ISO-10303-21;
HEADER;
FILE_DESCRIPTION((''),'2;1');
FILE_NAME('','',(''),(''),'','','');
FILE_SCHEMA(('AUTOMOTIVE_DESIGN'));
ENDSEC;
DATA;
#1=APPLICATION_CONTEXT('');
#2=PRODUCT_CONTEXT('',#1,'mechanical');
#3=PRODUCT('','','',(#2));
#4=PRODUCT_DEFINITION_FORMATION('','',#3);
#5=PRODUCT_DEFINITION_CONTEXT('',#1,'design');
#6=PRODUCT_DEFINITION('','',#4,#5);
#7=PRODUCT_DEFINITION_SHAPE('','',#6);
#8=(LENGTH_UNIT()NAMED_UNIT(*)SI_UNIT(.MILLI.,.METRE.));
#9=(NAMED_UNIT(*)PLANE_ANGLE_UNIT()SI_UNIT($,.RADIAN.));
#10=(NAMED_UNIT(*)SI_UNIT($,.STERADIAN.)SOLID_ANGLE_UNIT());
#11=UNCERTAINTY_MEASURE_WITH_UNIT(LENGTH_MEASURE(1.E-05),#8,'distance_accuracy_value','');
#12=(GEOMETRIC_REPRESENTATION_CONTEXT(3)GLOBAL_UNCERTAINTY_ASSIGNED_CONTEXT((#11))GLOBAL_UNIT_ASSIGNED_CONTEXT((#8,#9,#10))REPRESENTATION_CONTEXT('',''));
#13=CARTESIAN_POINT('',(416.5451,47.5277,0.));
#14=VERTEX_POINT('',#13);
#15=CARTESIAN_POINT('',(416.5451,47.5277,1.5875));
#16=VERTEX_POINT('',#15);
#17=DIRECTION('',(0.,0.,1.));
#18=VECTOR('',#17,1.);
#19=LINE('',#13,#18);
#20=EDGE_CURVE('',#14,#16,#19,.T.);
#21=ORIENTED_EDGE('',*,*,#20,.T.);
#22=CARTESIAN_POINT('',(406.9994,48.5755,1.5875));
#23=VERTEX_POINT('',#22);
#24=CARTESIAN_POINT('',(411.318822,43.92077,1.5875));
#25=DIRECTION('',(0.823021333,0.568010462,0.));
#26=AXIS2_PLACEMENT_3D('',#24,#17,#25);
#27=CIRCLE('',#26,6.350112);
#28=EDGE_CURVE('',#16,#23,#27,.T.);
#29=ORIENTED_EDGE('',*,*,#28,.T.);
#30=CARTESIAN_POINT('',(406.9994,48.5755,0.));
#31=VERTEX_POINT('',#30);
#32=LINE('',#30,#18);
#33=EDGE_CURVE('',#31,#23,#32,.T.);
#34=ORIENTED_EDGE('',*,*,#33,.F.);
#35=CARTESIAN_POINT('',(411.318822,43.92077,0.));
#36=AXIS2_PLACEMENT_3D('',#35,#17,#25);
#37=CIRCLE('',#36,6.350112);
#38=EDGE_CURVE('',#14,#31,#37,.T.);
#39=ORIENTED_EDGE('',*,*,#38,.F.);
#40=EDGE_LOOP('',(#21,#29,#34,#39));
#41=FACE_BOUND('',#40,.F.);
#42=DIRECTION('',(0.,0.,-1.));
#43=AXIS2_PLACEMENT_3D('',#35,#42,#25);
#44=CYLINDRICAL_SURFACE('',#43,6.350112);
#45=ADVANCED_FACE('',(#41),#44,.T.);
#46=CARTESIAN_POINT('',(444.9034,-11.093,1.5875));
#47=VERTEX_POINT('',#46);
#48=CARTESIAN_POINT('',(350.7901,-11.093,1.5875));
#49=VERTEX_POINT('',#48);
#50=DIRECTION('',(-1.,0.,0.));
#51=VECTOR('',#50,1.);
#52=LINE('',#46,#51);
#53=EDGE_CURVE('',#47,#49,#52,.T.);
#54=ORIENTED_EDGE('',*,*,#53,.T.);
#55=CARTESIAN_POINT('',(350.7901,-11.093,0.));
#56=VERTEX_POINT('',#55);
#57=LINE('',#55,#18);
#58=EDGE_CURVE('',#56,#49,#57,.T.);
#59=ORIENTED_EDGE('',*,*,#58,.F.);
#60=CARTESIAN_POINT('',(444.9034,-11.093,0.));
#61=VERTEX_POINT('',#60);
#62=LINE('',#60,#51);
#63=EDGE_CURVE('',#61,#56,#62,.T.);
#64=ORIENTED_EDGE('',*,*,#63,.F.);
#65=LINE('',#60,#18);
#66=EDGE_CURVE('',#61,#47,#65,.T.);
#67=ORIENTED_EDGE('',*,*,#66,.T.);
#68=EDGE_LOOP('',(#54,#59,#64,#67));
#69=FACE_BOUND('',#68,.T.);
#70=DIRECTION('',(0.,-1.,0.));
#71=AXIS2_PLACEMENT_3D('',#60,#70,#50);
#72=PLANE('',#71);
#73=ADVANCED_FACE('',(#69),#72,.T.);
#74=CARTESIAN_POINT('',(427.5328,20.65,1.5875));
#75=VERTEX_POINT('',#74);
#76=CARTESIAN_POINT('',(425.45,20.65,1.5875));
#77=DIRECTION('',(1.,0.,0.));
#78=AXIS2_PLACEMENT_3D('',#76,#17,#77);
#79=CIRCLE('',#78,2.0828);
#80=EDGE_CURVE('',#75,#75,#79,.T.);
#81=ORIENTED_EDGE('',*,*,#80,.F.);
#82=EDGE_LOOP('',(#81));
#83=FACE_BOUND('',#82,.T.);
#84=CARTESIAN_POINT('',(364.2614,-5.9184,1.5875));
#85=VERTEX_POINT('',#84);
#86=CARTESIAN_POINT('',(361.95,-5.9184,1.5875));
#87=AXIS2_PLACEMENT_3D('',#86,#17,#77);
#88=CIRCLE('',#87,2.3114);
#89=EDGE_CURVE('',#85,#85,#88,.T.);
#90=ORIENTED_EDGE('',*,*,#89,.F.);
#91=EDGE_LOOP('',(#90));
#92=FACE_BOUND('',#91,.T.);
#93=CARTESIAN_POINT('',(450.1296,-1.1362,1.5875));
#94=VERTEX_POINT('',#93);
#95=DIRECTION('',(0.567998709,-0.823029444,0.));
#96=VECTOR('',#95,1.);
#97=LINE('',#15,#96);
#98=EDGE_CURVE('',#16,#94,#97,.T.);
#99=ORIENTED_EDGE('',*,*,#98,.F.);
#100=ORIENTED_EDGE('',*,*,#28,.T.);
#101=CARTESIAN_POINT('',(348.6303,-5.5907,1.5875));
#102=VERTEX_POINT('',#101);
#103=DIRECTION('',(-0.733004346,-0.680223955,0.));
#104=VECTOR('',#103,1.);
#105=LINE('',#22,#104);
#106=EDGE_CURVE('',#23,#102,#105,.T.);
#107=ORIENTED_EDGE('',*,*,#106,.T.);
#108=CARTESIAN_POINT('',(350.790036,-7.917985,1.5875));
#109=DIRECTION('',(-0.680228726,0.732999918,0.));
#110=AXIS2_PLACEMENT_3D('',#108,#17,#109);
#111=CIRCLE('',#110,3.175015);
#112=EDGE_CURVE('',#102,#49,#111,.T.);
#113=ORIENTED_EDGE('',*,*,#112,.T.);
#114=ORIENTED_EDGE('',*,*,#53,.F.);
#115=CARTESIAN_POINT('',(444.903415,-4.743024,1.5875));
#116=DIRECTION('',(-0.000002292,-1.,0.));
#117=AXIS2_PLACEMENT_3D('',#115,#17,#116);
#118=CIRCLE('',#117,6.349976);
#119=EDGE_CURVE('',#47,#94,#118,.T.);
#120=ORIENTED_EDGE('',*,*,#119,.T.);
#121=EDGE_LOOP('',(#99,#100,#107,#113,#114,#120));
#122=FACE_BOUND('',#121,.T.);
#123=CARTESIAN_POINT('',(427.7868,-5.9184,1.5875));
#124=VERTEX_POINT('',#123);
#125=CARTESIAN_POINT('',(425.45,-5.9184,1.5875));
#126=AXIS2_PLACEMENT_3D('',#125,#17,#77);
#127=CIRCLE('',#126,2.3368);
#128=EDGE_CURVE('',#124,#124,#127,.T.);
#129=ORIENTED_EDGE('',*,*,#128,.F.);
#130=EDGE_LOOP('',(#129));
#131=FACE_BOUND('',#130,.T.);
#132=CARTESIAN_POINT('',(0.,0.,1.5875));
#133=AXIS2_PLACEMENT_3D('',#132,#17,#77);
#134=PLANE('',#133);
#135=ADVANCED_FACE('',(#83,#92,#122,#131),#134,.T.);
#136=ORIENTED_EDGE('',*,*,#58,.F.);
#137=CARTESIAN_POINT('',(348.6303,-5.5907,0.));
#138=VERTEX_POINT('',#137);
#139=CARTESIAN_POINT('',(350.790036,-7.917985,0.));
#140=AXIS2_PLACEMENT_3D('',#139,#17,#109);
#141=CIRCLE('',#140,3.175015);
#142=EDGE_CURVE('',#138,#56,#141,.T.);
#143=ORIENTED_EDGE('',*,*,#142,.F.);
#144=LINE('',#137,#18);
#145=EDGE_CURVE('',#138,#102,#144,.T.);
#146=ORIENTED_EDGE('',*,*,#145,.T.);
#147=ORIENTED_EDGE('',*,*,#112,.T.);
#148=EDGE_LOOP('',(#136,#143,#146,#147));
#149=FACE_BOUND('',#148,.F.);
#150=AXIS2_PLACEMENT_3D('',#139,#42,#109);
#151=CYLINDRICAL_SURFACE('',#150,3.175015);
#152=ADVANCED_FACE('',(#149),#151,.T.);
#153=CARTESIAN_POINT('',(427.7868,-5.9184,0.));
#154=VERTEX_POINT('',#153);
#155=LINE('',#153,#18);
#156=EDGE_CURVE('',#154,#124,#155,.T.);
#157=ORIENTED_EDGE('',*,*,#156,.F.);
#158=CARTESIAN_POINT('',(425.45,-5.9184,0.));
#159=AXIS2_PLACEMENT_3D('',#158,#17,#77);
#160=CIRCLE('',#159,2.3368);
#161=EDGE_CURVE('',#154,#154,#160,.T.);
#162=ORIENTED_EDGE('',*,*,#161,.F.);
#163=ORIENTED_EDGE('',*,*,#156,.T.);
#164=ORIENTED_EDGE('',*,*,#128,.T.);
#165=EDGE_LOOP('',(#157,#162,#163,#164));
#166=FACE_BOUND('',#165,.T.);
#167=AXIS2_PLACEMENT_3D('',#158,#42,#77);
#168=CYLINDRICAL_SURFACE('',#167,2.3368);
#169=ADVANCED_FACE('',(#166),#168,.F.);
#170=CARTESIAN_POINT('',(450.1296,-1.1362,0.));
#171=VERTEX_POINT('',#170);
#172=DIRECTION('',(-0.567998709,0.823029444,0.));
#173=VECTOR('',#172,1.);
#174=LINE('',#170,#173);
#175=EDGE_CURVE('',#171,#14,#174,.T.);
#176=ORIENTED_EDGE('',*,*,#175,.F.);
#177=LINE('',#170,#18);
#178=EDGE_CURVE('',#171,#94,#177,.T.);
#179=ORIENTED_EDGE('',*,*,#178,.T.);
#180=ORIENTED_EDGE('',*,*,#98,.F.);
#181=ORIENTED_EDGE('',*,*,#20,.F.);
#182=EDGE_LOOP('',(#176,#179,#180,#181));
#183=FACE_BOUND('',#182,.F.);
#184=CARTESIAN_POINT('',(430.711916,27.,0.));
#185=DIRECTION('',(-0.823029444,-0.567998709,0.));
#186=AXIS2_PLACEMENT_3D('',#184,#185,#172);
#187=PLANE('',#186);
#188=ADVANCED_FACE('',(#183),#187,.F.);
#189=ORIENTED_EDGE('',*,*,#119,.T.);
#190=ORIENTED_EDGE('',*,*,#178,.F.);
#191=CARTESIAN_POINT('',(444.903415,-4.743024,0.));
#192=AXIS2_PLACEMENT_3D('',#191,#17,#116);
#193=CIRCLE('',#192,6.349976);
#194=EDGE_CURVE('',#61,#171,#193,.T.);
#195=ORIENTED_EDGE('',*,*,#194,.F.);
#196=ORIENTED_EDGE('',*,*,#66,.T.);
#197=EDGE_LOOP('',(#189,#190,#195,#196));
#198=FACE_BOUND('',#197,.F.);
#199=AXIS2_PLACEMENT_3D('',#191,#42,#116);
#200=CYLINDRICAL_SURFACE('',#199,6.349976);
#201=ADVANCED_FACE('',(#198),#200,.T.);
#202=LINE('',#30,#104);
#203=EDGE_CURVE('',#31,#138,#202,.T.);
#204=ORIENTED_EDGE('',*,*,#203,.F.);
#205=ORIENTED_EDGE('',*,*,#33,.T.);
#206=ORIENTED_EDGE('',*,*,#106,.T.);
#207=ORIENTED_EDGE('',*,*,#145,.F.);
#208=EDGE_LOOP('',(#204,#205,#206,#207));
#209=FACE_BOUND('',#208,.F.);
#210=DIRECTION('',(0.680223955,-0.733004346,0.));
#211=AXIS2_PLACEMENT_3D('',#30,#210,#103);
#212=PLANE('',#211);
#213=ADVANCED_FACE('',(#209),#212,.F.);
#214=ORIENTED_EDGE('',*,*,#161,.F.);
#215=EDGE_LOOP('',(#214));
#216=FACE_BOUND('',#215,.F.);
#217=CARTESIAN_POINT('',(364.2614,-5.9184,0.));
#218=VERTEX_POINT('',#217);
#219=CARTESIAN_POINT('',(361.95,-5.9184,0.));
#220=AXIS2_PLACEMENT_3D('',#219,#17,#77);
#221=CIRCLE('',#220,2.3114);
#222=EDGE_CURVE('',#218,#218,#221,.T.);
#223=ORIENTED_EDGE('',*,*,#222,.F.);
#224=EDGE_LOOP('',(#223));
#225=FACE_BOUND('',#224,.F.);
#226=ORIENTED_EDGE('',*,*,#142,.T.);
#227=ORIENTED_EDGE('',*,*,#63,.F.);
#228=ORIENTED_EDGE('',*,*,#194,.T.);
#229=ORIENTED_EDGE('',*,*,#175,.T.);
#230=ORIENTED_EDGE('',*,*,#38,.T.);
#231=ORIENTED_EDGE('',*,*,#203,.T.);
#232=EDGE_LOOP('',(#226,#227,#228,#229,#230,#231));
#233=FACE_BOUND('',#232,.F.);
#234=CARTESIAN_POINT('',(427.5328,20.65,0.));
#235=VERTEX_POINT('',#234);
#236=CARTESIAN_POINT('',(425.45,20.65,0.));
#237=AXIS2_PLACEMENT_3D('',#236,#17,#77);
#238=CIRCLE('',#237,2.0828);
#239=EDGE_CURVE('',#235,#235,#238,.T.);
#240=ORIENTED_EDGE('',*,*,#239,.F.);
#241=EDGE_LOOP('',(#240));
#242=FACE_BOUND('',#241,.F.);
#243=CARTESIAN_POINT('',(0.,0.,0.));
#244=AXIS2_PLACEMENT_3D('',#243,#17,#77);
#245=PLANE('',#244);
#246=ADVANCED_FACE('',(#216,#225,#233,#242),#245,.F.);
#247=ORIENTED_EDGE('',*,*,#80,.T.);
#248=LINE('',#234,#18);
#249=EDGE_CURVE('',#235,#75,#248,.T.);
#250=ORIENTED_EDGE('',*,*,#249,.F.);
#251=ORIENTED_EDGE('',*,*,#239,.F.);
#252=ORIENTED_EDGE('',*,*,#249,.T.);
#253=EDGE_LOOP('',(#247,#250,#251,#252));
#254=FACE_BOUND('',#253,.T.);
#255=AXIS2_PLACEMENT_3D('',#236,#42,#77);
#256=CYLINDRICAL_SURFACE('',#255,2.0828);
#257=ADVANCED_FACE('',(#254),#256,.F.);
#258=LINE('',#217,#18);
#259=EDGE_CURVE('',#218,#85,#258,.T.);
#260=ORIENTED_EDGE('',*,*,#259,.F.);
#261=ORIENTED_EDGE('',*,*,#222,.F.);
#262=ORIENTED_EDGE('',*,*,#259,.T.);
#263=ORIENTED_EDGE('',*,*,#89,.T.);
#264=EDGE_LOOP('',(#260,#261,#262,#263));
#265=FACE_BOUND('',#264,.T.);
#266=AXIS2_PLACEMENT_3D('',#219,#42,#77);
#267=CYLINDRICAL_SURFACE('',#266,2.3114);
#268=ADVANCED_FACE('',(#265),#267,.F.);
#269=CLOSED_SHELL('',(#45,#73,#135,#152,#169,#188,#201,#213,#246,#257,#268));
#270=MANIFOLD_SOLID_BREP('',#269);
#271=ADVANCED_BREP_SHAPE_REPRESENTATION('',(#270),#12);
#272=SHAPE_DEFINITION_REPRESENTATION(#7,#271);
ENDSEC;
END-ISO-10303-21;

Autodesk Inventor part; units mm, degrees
ref_plane "YZ Plane" through (0, 0, 0) normal (1, 0, 0) x (0, 1, 0)
ref_plane "XZ Plane" through (0, 0, 0) normal (0, 1, 0) x (-1, 0, 0)
ref_plane "XY Plane" through (0, 0, 0) normal (0, 0, 1) x (1, 0, 0)
sketch "Sketch1" plane through (0, 0, 0) normal (0, 0, 1) x (1, 0, 0)
  circle A0 centre (425.45, 20.65) radius 2.0828 projected
  circle A1 centre (425.45, 20.65) radius 34.925 construction
  line L0 (425.45, 55.575) -> (298.45, 55.575) construction
  line L1 (323.85, 55.575) -> (323.85, 42.875) construction
  circle A2 centre (323.85, 12.649) radius 30.226 construction
  circle A3 centre (425.45, 20.65) radius 33.02 construction
  line L2 (406.9994, 48.5755) -> (348.6303, -5.5907)
  line L3 (420.1242, 27) -> (481.5758, 27) projected
  line L4 (442.214, -11.1) -> (383.027, -11.1) projected
  line L5 (450.1296, -1.1362) -> (416.5451, 47.5277)
  circle A4 centre (425.45, 20.65) radius 7.9375 construction
  arc A5 (416.5451, 47.5277) -> (406.9994, 48.5755) centre (411.3189, 43.9209) ccw
  line L6 (444.9034, -11.093) -> (350.7901, -11.093)
  line L7 (457.0011, -11.093) -> (551.1145, -11.093) construction
  arc A6 (444.9034, -11.093) -> (450.1296, -1.1362) centre (444.9034, -4.743) ccw
  arc A7 (348.6303, -5.5907) -> (350.7901, -11.093) centre (350.7901, -7.918) ccw
  circle A8 centre (387.35, -5.9184) radius 2.3114 projected
  circle A9 centre (361.95, -5.9184) radius 2.3114 projected
  circle A10 centre (438.15, -5.9184) radius 2.3114 projected
  circle A11 centre (425.45, -5.9184) radius 2.3368
  point P0 (0, 0)
  point P1 (342.7011, -11.093)
  dimension "d0" = 69.85
  dimension "d1" = 127
  dimension "d2" = 12.7
  dimension "d3" = 60.452
  dimension "d4" = 30.226
  dimension "d5" = 101.6
  dimension "d6" = 66.04
  dimension "d9" = 15.875
  dimension "d10" = 6.35
  dimension "d11" = 180
  dimension "d12" = 114.3
  dimension "d13" = 6.35
  dimension "d14" = 3.175
  dimension "d15" = 5.1746
  dimension "d16" = 101.6
  dimension "d19" = 4.6736
  dimension "d20" = 12.7
extrude "Extrusion1" add sketch "Sketch1" along normal blind 1.5875 contours A5 L5 A6 L6 A7 L2 | A8 | A10 | A11
extrude "Extrusion2" cut sketch "Sketch1" along normal blind 1.5875 contours A11
properties part number "tangentsled"
